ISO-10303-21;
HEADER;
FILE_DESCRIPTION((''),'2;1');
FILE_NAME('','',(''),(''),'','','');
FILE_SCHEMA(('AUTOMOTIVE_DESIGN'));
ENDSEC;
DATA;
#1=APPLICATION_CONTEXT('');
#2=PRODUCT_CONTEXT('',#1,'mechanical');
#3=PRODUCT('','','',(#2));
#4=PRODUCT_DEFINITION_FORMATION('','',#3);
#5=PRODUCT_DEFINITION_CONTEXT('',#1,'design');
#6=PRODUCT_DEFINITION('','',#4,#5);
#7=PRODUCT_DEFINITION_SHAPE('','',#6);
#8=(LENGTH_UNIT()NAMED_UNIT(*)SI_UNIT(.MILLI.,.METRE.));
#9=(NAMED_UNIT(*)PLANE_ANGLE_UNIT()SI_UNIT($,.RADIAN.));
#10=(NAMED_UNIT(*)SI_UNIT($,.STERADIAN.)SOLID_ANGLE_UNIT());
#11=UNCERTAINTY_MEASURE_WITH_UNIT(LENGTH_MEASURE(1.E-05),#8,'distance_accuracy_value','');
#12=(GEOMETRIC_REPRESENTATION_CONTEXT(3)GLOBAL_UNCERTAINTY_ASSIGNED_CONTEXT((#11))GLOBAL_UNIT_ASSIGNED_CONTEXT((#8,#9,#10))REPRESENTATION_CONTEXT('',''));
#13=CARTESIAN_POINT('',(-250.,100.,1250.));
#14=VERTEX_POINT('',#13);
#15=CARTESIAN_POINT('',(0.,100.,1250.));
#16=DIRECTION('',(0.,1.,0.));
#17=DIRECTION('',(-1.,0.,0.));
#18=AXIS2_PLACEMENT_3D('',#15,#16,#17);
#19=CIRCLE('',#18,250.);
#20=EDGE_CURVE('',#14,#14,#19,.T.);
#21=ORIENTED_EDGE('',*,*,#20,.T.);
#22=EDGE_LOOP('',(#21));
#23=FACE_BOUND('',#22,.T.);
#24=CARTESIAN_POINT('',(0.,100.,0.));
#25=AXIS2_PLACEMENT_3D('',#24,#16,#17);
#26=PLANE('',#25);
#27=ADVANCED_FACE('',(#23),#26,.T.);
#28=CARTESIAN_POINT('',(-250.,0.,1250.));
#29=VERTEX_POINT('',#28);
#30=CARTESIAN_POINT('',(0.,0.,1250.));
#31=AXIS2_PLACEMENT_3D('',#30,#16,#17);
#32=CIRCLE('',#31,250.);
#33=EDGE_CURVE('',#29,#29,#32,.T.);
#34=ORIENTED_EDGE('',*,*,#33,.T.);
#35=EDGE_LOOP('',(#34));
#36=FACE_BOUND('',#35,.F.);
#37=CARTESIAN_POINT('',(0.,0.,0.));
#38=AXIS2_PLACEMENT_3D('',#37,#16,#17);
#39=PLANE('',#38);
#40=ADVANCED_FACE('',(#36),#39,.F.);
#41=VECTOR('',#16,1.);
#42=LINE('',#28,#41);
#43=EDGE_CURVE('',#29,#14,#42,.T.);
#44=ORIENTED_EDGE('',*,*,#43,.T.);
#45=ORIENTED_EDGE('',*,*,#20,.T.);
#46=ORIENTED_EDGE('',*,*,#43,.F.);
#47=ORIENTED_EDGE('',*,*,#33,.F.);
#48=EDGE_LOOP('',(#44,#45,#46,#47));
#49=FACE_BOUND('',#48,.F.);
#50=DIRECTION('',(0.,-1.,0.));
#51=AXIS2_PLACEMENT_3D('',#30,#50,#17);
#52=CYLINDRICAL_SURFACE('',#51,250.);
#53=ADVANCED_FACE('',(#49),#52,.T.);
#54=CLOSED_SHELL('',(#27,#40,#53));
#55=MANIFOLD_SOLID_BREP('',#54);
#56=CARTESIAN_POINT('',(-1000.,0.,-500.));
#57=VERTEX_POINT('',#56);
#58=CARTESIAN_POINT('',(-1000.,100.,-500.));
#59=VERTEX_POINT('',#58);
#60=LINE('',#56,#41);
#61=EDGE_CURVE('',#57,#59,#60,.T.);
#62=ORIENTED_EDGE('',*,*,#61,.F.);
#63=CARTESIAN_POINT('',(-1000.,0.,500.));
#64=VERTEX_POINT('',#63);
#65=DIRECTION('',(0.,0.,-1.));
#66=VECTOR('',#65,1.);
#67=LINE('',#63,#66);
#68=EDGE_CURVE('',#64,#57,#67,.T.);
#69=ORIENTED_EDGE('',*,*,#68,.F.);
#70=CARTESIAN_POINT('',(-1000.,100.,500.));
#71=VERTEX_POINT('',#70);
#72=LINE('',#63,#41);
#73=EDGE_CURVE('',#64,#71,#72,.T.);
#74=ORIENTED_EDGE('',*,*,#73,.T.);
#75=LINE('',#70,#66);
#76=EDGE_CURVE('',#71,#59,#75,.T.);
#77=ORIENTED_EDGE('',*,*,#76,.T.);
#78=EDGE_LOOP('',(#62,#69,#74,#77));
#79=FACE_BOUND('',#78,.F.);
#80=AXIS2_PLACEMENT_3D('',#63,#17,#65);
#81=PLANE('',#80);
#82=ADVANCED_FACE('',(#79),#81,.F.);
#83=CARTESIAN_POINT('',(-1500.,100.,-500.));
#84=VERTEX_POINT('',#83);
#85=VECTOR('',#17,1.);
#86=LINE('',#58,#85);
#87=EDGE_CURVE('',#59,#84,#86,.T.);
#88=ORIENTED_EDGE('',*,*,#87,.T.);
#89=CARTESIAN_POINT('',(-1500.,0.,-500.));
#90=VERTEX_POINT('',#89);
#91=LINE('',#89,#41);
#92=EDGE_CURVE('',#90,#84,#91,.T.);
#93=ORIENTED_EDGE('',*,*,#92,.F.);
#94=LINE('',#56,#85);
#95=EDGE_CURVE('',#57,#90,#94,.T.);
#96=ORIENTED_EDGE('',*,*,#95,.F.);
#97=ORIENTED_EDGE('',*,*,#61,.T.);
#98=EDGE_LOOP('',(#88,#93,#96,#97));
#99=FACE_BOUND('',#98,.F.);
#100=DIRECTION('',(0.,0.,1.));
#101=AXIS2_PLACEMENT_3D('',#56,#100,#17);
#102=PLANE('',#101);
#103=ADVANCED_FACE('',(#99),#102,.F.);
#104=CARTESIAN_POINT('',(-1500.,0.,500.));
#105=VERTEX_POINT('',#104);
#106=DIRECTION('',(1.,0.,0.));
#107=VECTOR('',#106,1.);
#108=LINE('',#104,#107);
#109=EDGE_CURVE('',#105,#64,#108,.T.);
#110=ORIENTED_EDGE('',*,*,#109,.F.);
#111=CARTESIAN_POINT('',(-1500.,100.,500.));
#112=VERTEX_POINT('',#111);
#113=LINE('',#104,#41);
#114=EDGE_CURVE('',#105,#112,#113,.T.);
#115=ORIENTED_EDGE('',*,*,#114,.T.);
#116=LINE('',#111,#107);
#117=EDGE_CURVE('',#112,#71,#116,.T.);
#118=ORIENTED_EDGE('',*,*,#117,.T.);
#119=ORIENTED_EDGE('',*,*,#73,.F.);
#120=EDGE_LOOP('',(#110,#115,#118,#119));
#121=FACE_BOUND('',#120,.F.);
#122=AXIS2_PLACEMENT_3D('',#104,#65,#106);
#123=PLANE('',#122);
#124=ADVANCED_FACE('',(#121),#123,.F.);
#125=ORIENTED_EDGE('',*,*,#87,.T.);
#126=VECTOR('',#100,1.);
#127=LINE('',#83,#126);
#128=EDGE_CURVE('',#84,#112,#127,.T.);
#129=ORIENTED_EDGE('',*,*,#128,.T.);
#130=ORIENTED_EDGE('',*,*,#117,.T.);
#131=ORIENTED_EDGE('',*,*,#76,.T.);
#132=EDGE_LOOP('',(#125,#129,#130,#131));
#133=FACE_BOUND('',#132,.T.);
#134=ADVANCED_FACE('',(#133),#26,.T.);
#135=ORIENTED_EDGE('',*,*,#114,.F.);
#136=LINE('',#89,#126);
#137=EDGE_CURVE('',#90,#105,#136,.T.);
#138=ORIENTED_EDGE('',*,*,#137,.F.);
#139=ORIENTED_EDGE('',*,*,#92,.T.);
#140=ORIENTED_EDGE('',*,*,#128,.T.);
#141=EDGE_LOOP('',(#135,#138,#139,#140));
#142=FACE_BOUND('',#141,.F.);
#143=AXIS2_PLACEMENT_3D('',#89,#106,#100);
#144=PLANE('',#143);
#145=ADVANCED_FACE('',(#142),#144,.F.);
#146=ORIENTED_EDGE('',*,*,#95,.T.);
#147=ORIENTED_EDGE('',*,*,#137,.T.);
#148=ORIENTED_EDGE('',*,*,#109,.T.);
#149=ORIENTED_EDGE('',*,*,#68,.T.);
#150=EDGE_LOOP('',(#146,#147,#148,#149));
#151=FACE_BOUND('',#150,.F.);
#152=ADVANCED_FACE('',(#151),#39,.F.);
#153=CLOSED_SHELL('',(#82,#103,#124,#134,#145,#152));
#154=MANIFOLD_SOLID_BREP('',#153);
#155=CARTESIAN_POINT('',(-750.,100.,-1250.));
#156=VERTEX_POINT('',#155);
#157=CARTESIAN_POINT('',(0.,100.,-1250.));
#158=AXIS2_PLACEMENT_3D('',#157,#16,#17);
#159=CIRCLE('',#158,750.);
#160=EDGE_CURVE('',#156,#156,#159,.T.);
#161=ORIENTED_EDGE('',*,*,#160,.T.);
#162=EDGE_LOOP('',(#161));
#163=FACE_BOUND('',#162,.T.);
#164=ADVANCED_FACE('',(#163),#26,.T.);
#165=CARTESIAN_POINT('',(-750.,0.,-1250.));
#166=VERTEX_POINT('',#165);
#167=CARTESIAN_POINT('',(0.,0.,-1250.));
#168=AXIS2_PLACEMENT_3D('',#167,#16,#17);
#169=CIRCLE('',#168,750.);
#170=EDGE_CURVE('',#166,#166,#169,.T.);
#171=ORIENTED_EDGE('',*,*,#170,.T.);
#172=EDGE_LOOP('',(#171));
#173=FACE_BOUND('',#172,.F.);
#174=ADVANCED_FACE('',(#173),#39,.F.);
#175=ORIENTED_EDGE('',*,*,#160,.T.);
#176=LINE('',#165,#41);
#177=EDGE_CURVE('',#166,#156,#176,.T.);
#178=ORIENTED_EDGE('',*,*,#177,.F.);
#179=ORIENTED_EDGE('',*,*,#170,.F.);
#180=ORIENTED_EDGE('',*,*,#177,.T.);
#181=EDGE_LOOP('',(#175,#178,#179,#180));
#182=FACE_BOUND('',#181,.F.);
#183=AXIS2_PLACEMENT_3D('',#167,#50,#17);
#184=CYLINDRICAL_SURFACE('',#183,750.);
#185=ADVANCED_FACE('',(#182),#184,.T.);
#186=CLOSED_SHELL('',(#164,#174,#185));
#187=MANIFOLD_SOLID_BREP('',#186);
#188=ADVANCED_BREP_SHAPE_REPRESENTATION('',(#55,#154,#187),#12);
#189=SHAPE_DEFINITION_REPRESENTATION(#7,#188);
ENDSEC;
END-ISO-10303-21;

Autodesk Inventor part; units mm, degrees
ref_plane "YZ Plane" through (0, 0, 0) normal (1, 0, 0) x (0, 1, 0)
ref_plane "XZ Plane" through (0, 0, 0) normal (0, 1, 0) x (-1, 0, 0)
ref_plane "XY Plane" through (0, 0, 0) normal (0, 0, 1) x (1, 0, 0)
sketch "Sketch1" plane through (0, 0, 0) normal (0, 1, 0) x (-1, 0, 0)
  line L0 (2500, 2500) -> (-2500, 2500)
  line L1 (-2500, 2500) -> (-2500, -2500)
  line L2 (-2500, -2500) -> (2500, -2500)
  line L3 (2500, -2500) -> (2500, 2500)
  line L4 (2500, 2500) -> (-2500, -2500) construction
  line L5 (-2500, 2500) -> (2500, -2500) construction
  line L6 (2500, 0) -> (-2500, 0) construction
  line L7 (0, 2500) -> (0, -2500) construction
  circle A0 centre (0, 1250) radius 250
  circle A1 centre (0, -1250) radius 750
  line L8 (1000, -500) -> (1500, -500)
  line L9 (1500, -500) -> (1500, 500)
  line L10 (1500, 500) -> (1000, 500)
  line L11 (1000, 500) -> (1000, -500)
  line L12 (1000, -500) -> (1500, 500)
  line L13 (1500, -500) -> (1000, 500)
  point P0 (0, 0)
  point P1 (1250, 0)
  dimension "d0" = 5000
  dimension "d1" = 5000
  dimension "d2" = 500
  dimension "d3" = 1500
  dimension "d4" = 500
  dimension "d5" = 1000
extrude "Extrusion1" add sketch "Sketch1" along normal blind 100 contours A0 | A1 | L12 L13 L8 | L11 L13 L12 | L13 L12 L9 | L10 L12 L13
properties part number "multi"
